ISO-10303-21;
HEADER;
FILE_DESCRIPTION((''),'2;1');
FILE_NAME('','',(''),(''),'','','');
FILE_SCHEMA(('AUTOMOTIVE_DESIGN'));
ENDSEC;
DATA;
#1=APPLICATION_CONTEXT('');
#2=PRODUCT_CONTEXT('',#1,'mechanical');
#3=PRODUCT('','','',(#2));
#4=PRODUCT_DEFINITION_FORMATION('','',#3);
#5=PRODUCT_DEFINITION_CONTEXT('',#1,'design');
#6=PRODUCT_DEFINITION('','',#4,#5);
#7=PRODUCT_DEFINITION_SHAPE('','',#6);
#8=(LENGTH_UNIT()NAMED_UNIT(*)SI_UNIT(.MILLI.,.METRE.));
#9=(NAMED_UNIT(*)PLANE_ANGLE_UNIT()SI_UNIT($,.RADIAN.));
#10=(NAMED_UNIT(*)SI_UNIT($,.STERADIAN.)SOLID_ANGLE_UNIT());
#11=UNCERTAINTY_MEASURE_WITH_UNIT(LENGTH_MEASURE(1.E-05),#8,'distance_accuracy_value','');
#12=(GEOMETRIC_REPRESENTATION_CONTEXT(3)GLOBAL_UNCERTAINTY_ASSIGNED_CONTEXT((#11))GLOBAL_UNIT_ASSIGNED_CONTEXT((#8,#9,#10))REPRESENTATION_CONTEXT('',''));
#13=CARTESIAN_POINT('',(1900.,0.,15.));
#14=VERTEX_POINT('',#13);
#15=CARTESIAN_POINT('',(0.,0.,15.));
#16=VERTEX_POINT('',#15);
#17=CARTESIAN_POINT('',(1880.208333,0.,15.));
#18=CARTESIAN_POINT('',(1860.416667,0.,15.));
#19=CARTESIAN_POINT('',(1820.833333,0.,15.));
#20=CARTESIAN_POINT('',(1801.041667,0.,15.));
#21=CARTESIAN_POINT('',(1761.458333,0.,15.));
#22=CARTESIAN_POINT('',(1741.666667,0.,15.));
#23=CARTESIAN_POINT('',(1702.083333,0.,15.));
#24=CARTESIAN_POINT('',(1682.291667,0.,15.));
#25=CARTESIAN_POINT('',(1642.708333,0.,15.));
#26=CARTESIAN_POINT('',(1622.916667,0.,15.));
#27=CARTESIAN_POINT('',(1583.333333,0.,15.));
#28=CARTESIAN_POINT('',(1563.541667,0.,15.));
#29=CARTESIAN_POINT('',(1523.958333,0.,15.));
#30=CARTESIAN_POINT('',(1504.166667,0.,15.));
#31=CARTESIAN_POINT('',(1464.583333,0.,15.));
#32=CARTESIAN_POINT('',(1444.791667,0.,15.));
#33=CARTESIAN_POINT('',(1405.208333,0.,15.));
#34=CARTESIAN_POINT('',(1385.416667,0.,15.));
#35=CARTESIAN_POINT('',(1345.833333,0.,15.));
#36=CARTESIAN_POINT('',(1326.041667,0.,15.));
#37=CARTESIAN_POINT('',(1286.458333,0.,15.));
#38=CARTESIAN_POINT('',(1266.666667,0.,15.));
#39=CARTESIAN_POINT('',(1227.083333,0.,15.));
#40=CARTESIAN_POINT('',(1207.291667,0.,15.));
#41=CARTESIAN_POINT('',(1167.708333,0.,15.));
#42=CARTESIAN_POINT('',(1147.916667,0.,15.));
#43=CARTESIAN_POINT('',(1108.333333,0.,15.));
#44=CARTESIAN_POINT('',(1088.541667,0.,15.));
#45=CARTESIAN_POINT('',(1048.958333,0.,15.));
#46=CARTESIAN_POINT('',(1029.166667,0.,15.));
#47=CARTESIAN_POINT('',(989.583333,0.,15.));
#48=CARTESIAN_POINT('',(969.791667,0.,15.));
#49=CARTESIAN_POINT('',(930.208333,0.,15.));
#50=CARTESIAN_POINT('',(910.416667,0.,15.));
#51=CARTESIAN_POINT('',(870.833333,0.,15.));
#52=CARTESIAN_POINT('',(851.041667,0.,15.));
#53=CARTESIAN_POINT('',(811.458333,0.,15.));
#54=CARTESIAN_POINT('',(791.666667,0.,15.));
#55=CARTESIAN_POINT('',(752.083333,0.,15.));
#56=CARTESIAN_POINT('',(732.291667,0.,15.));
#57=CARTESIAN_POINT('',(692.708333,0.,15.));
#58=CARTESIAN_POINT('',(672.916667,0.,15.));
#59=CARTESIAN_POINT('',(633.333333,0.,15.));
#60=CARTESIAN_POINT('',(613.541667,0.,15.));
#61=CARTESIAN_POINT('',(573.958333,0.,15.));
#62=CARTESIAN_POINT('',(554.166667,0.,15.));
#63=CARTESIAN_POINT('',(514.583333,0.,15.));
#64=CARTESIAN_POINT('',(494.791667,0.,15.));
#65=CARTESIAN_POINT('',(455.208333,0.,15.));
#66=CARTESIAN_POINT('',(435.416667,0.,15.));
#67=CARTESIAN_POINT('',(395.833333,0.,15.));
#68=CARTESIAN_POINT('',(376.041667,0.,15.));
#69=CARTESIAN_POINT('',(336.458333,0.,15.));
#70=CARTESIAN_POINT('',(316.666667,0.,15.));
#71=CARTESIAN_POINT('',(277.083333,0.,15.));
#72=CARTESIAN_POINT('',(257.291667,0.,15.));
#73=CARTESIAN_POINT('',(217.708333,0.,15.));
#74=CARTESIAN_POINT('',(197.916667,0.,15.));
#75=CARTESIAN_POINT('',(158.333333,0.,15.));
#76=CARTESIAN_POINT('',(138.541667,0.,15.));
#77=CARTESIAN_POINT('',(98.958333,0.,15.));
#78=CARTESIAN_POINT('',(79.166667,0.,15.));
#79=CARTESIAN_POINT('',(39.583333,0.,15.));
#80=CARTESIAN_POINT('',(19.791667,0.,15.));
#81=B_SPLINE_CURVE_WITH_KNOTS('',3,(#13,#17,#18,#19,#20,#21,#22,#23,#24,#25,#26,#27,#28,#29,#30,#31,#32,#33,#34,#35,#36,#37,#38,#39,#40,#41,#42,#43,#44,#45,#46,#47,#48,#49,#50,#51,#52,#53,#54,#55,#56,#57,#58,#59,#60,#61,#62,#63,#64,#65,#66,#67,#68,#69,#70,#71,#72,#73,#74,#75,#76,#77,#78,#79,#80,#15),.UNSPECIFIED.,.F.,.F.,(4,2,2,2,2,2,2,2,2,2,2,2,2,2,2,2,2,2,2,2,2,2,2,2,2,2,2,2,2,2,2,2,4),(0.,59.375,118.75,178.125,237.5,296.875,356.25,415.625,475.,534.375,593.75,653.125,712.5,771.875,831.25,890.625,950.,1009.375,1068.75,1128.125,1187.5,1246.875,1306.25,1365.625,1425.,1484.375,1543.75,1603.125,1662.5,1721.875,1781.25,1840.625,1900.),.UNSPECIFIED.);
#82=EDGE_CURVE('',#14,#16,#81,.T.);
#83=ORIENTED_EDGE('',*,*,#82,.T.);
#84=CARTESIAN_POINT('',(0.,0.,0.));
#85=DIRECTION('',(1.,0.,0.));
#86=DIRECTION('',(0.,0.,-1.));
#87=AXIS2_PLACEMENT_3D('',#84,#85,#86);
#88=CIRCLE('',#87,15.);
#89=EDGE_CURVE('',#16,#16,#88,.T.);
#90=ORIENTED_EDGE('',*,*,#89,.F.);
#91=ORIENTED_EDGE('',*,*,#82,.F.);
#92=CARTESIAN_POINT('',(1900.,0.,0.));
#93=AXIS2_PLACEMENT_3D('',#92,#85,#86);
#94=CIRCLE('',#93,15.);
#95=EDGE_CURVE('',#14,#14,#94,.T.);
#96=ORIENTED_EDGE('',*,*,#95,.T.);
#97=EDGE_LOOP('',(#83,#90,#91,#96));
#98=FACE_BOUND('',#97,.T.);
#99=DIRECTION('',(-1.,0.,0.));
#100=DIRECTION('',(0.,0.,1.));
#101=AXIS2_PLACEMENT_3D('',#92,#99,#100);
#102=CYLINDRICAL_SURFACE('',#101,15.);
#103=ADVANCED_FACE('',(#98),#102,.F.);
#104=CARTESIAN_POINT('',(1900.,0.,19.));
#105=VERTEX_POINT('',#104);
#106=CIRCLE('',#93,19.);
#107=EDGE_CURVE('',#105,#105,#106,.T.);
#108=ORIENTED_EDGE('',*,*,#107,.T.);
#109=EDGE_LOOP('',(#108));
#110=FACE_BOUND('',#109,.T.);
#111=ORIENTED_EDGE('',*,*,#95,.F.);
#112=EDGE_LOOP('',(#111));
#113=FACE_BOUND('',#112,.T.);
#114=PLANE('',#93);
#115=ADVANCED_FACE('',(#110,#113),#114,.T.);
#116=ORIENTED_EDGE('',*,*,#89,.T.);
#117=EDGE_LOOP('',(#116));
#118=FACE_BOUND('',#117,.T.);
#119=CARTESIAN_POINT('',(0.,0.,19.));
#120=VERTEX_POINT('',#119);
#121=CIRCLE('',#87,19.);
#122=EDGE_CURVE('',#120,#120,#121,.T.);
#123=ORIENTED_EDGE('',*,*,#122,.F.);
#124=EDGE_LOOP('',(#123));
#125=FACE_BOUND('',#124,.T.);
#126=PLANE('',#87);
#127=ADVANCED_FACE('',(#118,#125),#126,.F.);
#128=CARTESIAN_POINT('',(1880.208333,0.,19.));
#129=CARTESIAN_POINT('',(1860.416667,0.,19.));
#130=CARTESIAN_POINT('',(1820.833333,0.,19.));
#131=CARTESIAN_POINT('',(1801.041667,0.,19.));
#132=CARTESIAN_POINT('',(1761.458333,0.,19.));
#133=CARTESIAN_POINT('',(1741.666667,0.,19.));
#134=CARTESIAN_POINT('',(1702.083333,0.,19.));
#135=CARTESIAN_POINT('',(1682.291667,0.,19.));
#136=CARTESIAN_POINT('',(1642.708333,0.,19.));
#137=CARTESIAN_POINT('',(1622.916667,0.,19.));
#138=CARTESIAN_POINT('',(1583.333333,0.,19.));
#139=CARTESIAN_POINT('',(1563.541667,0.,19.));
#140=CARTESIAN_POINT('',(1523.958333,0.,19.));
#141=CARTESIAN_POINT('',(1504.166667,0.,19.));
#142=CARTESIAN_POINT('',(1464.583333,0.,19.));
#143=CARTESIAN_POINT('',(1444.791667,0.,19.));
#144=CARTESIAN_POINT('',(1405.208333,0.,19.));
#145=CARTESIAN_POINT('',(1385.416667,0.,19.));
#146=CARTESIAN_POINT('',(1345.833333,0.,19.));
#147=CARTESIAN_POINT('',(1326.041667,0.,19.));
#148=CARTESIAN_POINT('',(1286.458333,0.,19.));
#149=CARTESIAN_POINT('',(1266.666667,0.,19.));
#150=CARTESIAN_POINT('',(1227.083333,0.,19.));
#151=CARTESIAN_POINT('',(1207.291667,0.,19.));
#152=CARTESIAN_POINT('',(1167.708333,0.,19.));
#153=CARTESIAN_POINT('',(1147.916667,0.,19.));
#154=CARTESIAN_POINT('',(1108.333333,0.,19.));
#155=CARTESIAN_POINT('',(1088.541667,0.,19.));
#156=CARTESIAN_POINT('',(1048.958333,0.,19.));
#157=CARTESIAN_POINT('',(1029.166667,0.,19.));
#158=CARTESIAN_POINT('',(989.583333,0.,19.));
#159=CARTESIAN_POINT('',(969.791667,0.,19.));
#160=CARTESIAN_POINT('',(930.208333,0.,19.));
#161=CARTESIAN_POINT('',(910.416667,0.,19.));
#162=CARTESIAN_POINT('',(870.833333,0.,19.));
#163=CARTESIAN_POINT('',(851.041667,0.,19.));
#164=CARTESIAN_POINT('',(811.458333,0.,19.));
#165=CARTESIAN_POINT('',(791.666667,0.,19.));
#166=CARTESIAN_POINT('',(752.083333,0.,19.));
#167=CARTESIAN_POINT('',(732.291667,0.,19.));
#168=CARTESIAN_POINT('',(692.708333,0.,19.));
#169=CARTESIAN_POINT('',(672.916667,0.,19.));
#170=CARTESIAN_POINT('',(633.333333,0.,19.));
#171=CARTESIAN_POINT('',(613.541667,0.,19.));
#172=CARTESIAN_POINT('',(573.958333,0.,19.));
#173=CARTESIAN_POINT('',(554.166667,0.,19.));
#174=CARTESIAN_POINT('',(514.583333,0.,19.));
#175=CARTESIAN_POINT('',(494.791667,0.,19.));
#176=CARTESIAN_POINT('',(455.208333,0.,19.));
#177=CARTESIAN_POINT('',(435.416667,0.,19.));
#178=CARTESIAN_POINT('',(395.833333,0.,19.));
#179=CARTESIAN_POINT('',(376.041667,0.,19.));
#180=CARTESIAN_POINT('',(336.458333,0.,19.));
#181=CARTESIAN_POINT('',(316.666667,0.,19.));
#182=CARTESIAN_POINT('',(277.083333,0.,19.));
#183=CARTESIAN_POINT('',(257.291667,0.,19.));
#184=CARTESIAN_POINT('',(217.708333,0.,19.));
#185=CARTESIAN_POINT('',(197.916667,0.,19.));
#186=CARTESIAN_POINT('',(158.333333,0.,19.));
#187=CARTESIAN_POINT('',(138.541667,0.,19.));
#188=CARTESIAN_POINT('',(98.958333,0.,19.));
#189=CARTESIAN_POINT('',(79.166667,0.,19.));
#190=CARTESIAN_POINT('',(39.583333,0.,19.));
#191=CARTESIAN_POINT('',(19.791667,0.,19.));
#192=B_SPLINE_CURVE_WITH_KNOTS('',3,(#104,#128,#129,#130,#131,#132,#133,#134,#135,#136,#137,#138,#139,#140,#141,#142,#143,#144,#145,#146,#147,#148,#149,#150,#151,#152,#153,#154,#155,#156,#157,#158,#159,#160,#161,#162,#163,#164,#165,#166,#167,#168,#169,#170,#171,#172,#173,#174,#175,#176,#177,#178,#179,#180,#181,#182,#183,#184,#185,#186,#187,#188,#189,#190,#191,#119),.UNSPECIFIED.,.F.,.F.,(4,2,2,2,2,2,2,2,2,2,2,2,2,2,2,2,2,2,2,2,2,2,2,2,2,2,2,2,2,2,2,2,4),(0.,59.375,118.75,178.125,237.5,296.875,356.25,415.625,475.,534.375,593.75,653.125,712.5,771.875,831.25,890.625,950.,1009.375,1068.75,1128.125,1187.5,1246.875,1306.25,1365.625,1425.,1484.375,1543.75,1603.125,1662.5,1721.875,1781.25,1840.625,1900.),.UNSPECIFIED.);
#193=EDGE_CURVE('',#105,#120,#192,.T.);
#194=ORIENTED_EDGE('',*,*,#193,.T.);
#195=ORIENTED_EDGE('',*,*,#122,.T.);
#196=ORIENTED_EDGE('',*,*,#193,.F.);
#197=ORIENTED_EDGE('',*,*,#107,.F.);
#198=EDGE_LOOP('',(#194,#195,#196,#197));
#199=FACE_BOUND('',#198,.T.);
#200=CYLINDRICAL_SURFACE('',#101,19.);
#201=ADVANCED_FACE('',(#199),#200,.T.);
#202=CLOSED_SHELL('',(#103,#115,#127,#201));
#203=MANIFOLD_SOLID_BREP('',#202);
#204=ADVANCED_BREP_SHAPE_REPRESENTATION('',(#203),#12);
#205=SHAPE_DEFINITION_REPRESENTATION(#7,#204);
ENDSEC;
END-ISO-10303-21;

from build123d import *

# Parameters (mm, degrees)
CROQUIS1_R              = 19
CROQUIS1_R_2            = 15
SALIENTE_EXTRUIR1_DEPTH = 1900


with BuildPart() as part:
    # Croquis1 → Saliente-Extruir1 (new body)
    with BuildSketch(Plane(origin=(0, 0, 0), x_dir=(0, 0, -1), z_dir=(1, 0, 0))):
        with Locations(Location((0, 0, 0), (0, 0, 180))):
            Circle(CROQUIS1_R)
        with Locations(Location((0, 0, 0), (0, 0, 180))):
            Circle(CROQUIS1_R_2, mode=Mode.SUBTRACT)
    extrude(amount=SALIENTE_EXTRUIR1_DEPTH)


solid = part.part
